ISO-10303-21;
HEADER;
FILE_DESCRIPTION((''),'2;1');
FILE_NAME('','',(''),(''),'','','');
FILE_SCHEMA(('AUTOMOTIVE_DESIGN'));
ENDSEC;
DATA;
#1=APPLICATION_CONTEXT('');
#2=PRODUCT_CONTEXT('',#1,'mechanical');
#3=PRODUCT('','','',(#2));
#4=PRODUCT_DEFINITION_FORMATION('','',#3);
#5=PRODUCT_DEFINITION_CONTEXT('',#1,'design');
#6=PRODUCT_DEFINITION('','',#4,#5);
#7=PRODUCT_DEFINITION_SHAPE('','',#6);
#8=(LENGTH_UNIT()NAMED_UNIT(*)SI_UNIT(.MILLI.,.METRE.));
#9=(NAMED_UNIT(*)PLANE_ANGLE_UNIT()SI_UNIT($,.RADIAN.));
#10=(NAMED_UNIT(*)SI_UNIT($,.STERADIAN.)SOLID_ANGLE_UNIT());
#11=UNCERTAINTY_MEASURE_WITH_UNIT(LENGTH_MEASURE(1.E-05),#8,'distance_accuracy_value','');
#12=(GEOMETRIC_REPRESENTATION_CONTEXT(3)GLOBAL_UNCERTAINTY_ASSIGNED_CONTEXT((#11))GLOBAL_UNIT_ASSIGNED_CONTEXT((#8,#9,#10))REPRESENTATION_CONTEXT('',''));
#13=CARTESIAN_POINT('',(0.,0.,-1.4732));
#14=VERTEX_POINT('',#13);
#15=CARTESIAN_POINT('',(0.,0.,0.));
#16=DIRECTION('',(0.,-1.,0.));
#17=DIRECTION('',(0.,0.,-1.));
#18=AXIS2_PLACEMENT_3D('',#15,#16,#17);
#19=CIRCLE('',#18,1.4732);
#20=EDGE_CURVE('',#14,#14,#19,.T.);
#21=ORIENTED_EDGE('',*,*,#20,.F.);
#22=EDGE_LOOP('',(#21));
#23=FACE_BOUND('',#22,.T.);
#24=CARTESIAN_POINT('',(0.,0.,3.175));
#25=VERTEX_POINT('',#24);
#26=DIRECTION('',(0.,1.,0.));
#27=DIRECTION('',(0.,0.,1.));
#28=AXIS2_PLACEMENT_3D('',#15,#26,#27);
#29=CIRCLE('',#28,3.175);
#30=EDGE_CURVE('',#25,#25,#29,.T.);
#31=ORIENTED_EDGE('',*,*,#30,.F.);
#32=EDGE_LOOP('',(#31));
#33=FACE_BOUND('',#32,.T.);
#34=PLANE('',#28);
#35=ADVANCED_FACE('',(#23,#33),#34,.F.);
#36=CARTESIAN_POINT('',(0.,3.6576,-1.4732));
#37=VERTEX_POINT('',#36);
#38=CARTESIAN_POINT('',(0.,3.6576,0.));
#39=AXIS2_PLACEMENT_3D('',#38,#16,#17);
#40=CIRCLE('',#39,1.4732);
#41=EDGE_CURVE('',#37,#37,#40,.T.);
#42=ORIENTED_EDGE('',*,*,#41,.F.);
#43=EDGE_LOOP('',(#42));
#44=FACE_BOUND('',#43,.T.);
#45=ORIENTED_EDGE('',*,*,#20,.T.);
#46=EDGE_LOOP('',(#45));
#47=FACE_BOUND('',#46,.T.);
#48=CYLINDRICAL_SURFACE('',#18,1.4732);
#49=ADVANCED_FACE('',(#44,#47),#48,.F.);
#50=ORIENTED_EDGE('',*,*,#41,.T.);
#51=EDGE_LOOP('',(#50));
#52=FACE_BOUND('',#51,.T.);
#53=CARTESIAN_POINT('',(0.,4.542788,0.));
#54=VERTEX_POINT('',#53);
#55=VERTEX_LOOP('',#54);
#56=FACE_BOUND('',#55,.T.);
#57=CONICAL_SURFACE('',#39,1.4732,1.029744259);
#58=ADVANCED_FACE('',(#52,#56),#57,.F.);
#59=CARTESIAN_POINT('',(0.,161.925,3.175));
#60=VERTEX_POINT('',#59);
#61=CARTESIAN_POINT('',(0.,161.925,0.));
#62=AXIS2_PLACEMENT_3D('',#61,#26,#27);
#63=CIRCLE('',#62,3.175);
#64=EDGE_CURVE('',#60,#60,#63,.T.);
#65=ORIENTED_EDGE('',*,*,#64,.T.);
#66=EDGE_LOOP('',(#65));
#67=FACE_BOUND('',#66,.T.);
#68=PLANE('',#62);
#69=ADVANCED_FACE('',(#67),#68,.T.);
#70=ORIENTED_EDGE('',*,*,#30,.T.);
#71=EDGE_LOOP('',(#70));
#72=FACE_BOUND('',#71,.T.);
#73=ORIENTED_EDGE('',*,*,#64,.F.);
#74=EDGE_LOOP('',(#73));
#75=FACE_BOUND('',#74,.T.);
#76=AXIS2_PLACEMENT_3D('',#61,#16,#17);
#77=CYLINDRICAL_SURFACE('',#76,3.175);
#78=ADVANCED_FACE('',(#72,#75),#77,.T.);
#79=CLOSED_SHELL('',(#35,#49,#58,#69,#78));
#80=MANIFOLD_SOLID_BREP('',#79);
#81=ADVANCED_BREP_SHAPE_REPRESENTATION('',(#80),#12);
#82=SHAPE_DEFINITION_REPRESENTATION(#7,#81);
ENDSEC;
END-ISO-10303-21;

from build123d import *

# Parameters (mm, degrees)
SKETCH1_R                       = 3.175
BOSS_EXTRUDE1_DEPTH             = 161.925
F_32_0_116_DIAMETER_HOLE2_D     = 2.9464
F_32_0_116_DIAMETER_HOLE2_DEPTH = 3.6576
F_32_0_116_DIAMETER_HOLE2_TIP   = 0.885187864


with BuildPart() as part:
    # Sketch1 → Boss-Extrude1 (new body)
    with BuildSketch(Plane(origin=(0, 0, 0), x_dir=(1, 0, 0), z_dir=(0, 1, 0))):
        Circle(SKETCH1_R)
    extrude(amount=BOSS_EXTRUDE1_DEPTH)

    # #32 (0.116) Diameter Hole2
    with Locations(Plane(origin=(0, 0, 0), x_dir=(-1, 0, 0), z_dir=(0, -1, 0))):
        with Locations((0, 0)):
            Hole(F_32_0_116_DIAMETER_HOLE2_D / 2, depth=F_32_0_116_DIAMETER_HOLE2_DEPTH)
            with Locations((0, 0, -(F_32_0_116_DIAMETER_HOLE2_DEPTH + F_32_0_116_DIAMETER_HOLE2_TIP / 2))):  # 118° drill point
                Cone(0, F_32_0_116_DIAMETER_HOLE2_D / 2, F_32_0_116_DIAMETER_HOLE2_TIP, mode=Mode.SUBTRACT)


solid = part.part
